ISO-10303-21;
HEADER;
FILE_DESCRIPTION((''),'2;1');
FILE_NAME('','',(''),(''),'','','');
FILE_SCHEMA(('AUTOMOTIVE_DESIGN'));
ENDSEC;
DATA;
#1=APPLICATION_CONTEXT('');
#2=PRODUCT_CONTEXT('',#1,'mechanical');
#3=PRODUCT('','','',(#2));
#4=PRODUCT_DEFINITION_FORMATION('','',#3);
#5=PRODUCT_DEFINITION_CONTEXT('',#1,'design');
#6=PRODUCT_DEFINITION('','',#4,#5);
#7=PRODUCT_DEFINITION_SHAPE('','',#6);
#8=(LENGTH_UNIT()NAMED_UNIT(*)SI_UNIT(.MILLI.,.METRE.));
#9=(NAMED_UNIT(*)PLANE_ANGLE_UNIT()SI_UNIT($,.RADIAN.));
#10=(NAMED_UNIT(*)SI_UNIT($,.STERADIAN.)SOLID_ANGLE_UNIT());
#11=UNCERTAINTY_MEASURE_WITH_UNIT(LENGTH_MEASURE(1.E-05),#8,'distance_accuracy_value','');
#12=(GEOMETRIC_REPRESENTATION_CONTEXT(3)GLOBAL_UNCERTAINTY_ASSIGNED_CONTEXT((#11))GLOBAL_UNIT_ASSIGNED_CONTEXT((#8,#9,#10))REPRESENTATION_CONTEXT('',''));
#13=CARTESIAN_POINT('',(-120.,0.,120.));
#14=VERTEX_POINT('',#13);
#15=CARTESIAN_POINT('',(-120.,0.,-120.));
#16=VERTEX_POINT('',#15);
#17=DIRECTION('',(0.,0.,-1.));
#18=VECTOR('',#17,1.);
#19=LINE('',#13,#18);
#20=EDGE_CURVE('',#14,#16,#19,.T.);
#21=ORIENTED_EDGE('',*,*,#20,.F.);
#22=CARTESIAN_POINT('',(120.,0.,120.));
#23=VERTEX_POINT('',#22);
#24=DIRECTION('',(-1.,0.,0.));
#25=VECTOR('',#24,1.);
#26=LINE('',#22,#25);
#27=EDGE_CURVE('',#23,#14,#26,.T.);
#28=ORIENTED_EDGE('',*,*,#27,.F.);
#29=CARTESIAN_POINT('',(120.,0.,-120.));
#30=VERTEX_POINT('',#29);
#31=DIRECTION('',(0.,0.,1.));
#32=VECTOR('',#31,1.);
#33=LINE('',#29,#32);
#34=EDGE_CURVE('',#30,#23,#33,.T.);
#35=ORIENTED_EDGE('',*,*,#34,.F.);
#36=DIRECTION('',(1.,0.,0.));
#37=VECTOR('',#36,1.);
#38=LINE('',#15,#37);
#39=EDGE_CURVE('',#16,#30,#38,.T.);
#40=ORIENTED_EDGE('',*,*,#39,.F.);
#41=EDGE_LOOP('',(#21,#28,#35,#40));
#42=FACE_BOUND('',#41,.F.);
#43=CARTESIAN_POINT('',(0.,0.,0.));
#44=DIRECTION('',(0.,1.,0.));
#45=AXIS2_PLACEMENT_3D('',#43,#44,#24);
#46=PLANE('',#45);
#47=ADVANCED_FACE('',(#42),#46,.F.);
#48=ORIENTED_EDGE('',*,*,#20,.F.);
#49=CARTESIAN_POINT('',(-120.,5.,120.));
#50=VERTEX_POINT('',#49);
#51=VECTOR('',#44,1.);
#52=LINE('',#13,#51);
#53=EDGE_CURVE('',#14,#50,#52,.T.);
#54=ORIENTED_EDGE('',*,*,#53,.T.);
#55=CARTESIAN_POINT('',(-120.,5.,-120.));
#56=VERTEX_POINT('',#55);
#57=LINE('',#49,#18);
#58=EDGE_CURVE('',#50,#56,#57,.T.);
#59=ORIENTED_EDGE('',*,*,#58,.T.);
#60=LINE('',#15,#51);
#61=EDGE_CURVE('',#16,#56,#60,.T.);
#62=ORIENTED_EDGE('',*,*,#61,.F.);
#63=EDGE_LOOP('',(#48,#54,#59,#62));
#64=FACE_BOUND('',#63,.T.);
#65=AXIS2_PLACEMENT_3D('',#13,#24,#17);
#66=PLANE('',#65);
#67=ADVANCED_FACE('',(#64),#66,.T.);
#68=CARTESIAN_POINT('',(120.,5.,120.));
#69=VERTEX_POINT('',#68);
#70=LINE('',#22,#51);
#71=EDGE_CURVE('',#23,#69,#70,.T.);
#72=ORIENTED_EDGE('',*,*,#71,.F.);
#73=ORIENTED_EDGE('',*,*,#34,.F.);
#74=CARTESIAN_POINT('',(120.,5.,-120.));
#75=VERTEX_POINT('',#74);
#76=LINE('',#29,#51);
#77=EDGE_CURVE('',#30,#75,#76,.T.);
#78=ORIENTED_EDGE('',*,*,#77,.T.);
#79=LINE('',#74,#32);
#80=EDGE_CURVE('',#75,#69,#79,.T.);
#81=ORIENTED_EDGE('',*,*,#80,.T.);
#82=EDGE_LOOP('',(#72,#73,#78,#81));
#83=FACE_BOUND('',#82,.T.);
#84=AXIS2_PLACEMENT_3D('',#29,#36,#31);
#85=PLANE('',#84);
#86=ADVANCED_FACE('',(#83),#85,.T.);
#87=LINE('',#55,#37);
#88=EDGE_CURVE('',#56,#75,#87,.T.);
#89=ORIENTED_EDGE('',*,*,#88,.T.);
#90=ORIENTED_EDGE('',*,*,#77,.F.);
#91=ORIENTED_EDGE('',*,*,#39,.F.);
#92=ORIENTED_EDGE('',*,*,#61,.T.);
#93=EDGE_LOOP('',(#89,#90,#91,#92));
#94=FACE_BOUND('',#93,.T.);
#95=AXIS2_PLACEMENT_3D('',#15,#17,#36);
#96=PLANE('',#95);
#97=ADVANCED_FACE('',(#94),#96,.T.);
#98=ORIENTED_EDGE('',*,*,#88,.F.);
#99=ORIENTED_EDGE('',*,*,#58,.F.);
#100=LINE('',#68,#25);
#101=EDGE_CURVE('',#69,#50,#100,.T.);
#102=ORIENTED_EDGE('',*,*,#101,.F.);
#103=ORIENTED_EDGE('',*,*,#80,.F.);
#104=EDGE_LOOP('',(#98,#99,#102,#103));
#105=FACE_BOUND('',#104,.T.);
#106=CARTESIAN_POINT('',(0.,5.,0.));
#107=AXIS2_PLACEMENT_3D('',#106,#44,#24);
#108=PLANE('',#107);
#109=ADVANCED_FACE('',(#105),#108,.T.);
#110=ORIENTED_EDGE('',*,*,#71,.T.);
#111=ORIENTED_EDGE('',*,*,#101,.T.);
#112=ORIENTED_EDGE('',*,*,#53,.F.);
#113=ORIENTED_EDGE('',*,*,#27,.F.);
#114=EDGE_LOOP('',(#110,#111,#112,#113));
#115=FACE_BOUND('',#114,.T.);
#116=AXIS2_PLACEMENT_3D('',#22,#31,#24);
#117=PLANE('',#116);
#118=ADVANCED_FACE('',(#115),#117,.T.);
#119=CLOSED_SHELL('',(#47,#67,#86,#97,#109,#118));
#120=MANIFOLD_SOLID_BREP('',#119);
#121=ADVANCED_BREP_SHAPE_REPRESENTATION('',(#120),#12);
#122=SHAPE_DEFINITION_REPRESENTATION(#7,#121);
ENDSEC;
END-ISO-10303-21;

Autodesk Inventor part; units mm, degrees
ref_plane "YZ Plane" through (0, 0, 0) normal (1, 0, 0) x (0, 1, 0)
ref_plane "XZ Plane" through (0, 0, 0) normal (0, 1, 0) x (-1, 0, 0)
ref_plane "XY Plane" through (0, 0, 0) normal (0, 0, 1) x (1, 0, 0)
sketch "Sketch1" plane through (0, 0, 0) normal (0, 1, 0) x (-1, 0, 0)
  line L0 (-120, 120) -> (120, 120)
  line L1 (120, 120) -> (120, -120)
  line L2 (120, -120) -> (-120, -120)
  line L3 (-120, -120) -> (-120, 120)
  line L4 (-120, 120) -> (120, -120) construction
  line L5 (120, 120) -> (-120, -120) construction
  point P0 (0, 0)
  dimension "d0" = 240
  dimension "d1" = 240
extrude "Extrusion1" add sketch "Sketch1" along normal blind 5
sketch "Sketch2" plane through (0, 5, 0) normal (0, 1, 0) x (1, 0, 0)
  line L0 (-120, 120) -> (-120, -120) projected
  line L1 (-120, 0) -> (120, 0)
  line L2 (120, -120) -> (120, 120) projected
  line L3 (-120, -60) -> (120, -60)
  line L4 (-120, 60) -> (120, 60)
  line L5 (-120, -90) -> (120, -90)
  line L6 (-120, -30) -> (120, -30)
  line L7 (-120, 30) -> (120, 30)
  line L8 (-120, 90) -> (120, 90)
  line L9 (0, -120) -> (0, 120)
  line L10 (120, 120) -> (-120, 120) projected
  line L11 (-60, -120) -> (-60, 120)
  line L12 (-120, -120) -> (120, -120) projected
  line L13 (-90, -120) -> (-90, 120)
  line L14 (-30, -120) -> (-30, 120)
  line L15 (30, -120) -> (30, 120)
  line L16 (60, -120) -> (60, 120)
  line L17 (90, -120) -> (90, 120)
  point P0 (0, 0)
properties part number "chessboard"
